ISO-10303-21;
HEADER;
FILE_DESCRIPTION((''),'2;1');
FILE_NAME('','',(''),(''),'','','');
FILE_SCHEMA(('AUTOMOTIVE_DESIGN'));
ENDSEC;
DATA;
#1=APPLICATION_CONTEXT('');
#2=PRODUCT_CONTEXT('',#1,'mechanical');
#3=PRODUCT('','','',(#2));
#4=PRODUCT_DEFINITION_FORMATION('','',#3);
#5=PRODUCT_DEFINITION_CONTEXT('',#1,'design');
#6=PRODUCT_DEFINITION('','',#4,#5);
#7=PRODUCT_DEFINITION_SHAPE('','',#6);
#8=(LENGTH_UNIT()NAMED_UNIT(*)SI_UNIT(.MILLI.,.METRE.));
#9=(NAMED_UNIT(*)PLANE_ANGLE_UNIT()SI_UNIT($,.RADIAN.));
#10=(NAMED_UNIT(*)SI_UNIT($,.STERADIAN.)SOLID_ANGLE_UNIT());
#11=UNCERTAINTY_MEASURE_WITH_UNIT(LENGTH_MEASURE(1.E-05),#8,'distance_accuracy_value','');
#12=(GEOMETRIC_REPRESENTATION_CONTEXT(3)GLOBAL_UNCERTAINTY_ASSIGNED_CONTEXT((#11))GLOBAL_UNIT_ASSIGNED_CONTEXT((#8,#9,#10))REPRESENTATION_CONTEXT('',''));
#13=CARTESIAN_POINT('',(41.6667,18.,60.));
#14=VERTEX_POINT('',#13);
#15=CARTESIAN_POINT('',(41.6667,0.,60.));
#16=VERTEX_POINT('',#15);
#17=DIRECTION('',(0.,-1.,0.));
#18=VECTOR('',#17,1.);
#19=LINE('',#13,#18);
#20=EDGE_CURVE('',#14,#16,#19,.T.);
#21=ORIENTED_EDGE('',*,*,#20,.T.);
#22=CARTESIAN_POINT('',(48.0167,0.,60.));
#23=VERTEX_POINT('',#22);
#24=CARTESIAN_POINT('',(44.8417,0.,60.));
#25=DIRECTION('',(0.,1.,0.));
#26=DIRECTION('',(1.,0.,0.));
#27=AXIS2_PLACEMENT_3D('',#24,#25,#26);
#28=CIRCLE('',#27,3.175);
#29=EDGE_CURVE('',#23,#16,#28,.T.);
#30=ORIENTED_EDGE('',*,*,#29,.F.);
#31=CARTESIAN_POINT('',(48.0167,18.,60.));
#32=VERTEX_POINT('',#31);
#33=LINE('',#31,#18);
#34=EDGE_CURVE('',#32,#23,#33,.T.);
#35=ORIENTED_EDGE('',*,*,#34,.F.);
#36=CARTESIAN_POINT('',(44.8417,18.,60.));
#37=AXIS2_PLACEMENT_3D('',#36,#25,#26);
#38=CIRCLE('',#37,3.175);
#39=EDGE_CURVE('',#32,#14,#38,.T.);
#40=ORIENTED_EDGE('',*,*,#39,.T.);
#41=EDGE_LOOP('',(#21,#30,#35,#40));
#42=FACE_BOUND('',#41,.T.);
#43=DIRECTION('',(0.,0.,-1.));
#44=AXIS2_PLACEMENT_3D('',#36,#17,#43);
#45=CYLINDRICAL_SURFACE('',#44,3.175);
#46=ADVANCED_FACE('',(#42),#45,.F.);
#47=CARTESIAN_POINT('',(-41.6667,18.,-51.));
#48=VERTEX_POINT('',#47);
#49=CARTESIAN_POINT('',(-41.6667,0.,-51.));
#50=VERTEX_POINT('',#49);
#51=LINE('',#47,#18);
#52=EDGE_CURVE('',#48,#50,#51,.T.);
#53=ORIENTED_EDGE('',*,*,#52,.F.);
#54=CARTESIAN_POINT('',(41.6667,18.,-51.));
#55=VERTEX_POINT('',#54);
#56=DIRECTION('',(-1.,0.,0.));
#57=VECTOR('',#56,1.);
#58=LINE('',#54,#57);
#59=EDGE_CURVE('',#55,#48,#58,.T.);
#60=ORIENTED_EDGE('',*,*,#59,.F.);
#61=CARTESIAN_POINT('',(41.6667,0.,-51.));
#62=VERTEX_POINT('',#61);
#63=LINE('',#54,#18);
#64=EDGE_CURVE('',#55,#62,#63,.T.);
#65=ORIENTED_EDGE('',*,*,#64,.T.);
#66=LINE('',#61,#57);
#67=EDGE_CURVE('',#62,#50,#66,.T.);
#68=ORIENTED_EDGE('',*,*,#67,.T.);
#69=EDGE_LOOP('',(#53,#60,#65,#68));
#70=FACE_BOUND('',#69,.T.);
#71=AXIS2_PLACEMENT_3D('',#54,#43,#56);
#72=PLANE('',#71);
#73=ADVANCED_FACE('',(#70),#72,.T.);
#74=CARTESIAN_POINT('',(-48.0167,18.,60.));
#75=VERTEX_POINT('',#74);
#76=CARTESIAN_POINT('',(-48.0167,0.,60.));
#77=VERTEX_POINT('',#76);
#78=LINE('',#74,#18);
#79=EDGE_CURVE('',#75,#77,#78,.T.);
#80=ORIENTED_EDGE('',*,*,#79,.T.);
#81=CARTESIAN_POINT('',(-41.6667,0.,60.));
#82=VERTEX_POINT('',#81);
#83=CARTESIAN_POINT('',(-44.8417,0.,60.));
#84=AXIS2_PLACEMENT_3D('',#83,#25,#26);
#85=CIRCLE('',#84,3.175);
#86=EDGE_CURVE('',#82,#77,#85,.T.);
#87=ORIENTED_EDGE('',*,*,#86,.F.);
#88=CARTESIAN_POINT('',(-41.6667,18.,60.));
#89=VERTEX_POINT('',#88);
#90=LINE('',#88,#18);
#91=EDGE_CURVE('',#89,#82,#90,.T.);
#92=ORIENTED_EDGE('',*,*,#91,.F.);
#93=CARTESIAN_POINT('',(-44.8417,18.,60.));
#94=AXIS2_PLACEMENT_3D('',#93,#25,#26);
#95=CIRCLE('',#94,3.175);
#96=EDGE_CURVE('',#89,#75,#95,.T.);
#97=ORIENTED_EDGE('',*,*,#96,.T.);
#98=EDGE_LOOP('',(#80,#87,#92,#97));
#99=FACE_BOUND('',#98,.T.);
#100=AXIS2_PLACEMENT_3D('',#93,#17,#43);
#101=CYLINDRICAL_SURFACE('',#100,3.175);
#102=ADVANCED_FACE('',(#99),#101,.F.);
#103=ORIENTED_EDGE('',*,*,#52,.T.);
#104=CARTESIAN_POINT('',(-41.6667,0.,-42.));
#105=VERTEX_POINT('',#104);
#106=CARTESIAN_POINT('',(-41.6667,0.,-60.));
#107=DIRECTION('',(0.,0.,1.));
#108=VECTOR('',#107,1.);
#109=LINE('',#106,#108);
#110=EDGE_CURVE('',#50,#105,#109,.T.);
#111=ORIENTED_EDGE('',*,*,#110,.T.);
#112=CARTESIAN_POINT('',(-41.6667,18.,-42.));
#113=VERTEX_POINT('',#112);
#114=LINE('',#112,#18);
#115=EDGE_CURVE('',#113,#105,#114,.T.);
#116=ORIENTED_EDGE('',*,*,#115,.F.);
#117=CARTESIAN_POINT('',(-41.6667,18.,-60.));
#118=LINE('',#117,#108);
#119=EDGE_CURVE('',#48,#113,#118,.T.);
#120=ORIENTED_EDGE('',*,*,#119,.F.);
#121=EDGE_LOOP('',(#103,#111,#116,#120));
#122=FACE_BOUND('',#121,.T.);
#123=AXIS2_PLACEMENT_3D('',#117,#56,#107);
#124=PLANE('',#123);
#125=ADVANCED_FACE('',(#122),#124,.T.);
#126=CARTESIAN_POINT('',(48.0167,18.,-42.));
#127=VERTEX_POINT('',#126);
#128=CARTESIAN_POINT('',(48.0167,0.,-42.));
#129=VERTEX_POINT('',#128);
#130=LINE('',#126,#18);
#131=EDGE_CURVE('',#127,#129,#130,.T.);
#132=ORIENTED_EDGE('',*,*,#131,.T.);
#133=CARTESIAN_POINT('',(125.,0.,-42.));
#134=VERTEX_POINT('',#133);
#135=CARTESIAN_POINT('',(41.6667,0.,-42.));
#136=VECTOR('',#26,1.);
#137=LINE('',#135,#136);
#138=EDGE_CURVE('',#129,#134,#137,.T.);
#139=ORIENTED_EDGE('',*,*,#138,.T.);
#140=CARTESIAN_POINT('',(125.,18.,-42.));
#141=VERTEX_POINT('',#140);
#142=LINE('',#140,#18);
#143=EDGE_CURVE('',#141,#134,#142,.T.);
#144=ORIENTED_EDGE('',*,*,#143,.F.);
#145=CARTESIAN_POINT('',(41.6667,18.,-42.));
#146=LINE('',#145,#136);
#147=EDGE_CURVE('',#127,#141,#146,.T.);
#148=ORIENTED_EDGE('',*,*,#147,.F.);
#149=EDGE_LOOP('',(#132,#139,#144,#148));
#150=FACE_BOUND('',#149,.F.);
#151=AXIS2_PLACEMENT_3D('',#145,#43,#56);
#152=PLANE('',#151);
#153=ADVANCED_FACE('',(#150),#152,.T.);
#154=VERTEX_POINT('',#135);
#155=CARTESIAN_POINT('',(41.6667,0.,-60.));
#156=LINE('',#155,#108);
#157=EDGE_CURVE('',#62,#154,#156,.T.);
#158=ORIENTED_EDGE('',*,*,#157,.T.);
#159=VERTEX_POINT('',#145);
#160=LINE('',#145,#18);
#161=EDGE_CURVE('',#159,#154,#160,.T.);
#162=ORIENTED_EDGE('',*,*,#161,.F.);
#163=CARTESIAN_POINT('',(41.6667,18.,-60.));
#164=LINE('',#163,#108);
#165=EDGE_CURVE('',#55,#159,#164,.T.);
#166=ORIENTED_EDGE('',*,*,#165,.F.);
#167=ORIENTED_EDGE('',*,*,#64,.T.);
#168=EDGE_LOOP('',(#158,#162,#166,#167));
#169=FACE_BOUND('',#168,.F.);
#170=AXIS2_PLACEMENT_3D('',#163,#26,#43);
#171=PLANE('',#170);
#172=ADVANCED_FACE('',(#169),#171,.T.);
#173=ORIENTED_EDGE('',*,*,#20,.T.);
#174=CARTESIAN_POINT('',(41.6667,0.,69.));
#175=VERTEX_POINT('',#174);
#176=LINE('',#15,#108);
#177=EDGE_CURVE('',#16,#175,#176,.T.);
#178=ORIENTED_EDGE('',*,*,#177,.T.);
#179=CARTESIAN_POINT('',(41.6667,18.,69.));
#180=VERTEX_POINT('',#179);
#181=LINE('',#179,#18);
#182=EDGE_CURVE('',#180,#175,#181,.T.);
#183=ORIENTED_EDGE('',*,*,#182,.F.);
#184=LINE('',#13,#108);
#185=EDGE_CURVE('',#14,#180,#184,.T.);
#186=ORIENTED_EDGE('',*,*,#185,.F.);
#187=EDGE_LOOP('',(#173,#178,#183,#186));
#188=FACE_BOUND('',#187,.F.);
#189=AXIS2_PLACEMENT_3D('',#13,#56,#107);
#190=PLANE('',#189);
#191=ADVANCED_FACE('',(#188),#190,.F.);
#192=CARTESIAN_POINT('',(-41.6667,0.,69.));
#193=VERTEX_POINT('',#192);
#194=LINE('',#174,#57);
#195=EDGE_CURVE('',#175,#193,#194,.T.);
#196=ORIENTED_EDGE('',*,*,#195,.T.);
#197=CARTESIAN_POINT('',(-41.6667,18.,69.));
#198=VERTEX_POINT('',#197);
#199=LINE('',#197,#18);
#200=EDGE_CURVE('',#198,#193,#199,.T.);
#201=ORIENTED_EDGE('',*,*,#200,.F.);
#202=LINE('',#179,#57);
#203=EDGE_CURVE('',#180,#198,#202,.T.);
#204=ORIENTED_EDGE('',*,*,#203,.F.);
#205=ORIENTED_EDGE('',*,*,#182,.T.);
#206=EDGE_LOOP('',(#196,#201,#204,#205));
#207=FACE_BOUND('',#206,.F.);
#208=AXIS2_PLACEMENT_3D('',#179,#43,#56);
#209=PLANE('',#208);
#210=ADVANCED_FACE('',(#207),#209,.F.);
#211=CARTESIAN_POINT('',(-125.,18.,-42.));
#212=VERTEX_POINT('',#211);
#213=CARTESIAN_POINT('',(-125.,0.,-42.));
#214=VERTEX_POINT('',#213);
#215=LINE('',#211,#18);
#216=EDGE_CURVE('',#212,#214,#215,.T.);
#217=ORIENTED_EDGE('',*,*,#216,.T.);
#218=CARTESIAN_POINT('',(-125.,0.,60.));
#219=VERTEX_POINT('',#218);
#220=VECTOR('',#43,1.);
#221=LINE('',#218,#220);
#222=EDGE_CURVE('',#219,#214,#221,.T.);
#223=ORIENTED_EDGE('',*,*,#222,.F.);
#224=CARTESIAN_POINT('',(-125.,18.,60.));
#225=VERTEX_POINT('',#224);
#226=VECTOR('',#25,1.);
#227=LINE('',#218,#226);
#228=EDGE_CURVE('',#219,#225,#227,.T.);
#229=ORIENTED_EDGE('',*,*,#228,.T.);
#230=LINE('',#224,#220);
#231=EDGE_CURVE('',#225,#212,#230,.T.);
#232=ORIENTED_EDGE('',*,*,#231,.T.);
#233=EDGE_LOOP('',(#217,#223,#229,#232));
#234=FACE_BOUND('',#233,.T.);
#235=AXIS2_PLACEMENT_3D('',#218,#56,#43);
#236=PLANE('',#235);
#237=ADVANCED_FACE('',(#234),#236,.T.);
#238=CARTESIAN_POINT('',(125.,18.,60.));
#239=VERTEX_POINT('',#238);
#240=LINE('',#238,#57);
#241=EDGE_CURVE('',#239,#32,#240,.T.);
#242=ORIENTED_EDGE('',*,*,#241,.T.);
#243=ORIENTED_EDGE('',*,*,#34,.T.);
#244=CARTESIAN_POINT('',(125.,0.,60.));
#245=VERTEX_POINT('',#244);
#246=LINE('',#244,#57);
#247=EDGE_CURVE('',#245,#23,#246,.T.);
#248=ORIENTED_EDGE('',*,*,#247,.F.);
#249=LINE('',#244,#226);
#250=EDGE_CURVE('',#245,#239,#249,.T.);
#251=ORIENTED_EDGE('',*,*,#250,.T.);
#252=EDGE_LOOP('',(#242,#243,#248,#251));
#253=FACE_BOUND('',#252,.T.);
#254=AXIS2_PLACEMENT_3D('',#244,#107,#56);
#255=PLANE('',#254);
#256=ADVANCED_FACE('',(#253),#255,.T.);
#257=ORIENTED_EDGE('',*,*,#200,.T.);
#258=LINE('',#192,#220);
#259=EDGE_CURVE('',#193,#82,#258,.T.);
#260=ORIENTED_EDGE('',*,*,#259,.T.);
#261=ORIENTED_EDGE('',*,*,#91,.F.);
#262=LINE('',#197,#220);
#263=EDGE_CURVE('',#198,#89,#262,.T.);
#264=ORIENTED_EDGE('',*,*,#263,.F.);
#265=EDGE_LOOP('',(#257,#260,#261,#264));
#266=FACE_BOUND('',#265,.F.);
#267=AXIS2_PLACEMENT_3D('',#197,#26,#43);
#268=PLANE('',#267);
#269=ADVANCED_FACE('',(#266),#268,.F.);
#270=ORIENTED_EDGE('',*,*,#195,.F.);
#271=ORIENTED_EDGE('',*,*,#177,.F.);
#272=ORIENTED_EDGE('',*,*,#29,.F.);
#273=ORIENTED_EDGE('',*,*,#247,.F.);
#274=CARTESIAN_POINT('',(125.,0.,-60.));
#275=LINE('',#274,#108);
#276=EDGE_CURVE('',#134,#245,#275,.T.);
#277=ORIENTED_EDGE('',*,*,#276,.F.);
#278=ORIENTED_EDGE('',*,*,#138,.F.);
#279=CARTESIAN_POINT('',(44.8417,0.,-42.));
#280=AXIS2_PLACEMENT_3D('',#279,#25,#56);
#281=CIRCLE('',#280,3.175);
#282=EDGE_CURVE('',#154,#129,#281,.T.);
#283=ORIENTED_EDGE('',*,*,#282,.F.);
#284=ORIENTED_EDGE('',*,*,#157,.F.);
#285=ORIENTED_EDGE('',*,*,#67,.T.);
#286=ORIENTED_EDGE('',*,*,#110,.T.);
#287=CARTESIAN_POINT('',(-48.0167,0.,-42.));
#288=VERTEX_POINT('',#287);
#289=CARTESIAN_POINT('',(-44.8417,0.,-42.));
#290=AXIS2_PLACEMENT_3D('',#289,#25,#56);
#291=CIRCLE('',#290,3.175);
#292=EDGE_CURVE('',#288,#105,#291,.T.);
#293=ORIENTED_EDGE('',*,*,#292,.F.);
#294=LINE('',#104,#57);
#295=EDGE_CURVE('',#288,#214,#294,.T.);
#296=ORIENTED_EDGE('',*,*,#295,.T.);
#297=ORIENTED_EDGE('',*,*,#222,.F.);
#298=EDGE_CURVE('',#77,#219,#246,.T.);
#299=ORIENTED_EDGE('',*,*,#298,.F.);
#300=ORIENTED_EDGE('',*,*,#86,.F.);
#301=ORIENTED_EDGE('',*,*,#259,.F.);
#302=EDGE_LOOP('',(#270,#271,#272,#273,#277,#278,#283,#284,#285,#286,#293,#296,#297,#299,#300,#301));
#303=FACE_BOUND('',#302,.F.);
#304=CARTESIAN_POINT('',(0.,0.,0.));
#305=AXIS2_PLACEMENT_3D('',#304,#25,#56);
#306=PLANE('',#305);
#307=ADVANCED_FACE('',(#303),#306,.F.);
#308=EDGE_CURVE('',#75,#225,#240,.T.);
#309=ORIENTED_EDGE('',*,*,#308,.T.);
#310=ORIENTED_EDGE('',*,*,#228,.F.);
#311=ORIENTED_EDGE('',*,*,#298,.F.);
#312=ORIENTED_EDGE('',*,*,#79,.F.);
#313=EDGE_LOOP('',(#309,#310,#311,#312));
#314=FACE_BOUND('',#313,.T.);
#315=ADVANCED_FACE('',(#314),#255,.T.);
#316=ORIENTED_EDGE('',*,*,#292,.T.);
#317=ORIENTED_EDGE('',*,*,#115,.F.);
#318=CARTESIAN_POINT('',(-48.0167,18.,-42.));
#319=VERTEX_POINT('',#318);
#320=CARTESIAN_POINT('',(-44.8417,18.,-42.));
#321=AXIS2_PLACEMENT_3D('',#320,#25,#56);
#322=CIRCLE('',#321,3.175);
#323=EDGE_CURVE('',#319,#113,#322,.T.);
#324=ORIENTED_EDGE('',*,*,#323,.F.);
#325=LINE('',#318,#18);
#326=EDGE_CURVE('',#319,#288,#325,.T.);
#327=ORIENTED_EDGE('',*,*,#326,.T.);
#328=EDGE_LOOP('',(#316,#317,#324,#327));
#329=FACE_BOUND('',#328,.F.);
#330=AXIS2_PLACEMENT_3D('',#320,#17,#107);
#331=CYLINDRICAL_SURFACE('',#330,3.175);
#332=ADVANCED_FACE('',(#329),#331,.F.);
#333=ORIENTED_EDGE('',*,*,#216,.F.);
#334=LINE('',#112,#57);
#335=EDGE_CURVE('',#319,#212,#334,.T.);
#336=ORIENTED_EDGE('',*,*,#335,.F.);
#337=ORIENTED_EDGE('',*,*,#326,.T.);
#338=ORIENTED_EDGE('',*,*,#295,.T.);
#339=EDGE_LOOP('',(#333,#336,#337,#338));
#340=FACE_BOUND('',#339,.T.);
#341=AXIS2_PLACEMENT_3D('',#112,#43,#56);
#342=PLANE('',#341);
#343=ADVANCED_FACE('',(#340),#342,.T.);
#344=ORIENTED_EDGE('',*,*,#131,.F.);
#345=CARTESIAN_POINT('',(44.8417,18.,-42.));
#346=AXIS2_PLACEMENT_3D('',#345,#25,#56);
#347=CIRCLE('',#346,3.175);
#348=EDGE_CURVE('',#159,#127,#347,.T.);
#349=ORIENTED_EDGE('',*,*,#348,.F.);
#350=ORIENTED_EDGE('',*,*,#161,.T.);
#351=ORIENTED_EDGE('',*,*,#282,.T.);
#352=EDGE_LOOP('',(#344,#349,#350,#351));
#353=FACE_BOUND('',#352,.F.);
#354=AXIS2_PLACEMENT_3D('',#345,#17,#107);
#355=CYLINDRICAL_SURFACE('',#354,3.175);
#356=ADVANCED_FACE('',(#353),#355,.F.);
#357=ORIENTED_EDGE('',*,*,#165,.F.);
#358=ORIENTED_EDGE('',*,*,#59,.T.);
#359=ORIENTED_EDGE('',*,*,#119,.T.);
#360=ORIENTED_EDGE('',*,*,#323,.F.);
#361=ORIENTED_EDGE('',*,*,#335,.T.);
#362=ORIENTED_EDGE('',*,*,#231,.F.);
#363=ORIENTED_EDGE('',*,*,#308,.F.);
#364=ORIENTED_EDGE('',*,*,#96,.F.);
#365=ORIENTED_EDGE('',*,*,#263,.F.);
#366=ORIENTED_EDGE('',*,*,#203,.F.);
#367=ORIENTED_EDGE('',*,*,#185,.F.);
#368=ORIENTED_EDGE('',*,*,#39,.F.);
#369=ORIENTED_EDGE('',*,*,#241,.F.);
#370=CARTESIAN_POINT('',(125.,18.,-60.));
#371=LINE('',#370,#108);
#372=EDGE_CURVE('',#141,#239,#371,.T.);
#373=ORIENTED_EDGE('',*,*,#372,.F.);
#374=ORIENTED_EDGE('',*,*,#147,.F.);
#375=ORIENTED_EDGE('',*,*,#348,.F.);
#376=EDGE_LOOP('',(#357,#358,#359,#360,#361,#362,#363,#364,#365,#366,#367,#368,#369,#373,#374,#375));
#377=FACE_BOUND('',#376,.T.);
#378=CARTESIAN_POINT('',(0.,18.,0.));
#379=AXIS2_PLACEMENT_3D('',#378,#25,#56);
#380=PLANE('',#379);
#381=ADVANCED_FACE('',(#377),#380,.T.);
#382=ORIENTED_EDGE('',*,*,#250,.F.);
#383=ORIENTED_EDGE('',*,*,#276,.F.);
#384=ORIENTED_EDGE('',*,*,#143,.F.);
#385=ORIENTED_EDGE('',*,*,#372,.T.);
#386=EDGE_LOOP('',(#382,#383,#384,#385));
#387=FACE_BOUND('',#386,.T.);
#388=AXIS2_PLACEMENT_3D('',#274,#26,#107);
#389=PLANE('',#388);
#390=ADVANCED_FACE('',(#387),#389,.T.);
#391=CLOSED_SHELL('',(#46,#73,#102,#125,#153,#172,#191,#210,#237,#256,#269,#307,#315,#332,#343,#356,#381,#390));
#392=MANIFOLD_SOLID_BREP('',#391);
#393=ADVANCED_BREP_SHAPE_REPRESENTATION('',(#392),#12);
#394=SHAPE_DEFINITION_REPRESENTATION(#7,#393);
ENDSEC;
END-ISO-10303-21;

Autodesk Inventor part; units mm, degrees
sketch "Sketch2" plane through (0, 0, 0) normal (0, 1, 0) x (-1, 0, 0)
  line L0 (125, -60) -> (-125, -60)
  line L1 (-125, -60) -> (-125, 60)
  line L2 (-125, 60) -> (125, 60)
  line L3 (125, 60) -> (125, -60)
  point P0 (0, 0)
  point P1 (-125, 0)
  point P2 (0, -60)
  dimension "d2" = 250
  dimension "d3" = 120
extrude "Extrusion1" add sketch "Sketch2" along normal blind 18
sketch "Sketch3" plane through (0, 18, 0) normal (0, 1, 0) x (1, 0, 0)
  line L0 (-125, 60) -> (-41.6667, 60)
  line L1 (-41.6667, 60) -> (-41.6667, 42)
  line L2 (-41.6667, 42) -> (-125, 42)
  line L3 (-125, 42) -> (-125, 60)
  line L4 (125, 60) -> (-125, 60) projected
  line L5 (-125, 60) -> (-125, -60) projected
  line L6 (-125, -60) -> (125, -60) projected
  line L7 (125, -60) -> (125, 60) projected
  point P0 (0, 0)
  point P1 (-125, 51)
  point P2 (-125, 0)
  point P3 (-83.3333, 60)
  point P4 (0, 60)
  dimension "d6" = 83.3333
  dimension "d7" = 18
extrude "Extrusion2" cut sketch "Sketch3" against normal blind 18 contours L0 L1 L2 L3
ref_plane "Work Plane1" through (0, 0, 60) normal (-1, 0, 0) x (0, 0, 1)
ref_plane "Work Plane2" through (125, 0, 0) normal (0, 0, -1) x (-1, 0, 0)
mirror "Mirror1" about plane through (0, 0, 60) normal (-1, 0, 0) of "Extrusion2"
sketch "Sketch4" plane through (0, 18, 0) normal (0, 1, 0) x (1, 0, 0)
  line L0 (-41.6667, 60) -> (41.6667, 60)
  line L1 (41.6667, 60) -> (41.6667, 51)
  line L2 (41.6667, 51) -> (-41.6667, 51)
  line L3 (-41.6667, 51) -> (-41.6667, 60)
  line L4 (41.6667, 42) -> (41.6667, 60) projected
  line L5 (41.6667, 60) -> (-41.6667, 60) projected
  line L6 (-41.6667, 60) -> (-41.6667, 42) projected
  line L7 (-41.6667, 42) -> (-125, 42) projected
  line L8 (-125, 42) -> (-125, -60) projected
  line L9 (-125, -60) -> (125, -60) projected
  line L10 (125, -60) -> (125, 42) projected
  line L11 (125, 42) -> (41.6667, 42) projected
  line L12 (-41.6667, 60) -> (-41.6667, 42) projected
  point P0 (0, 0)
  point P1 (0, 60)
  point P2 (0, 60)
  point P3 (0, 51)
  point P4 (-41.6667, 51)
  point P5 (41.6667, 55.5)
  point P6 (41.6667, 51)
  point P7 (-41.6667, 55.5)
  point P8 (-41.6667, 51)
extrude "Extrusion3" cut sketch "Sketch4" against normal blind 18 contours L0 L1 L2 L3
sketch "Sketch5" plane through (0, 18, 0) normal (0, 1, 0) x (1, 0, 0)
  line L0 (-41.6667, -60) -> (41.6667, -60)
  line L1 (41.6667, -60) -> (41.6667, -69)
  line L2 (41.6667, -69) -> (-41.6667, -69)
  line L3 (-41.6667, -69) -> (-41.6667, -60)
  line L4 (41.6667, 51) -> (-41.6667, 51) projected
  line L5 (-41.6667, 51) -> (-41.6667, 42) projected
  line L6 (-41.6667, 42) -> (-125, 42) projected
  line L7 (-125, 42) -> (-125, -60) projected
  line L8 (-125, -60) -> (125, -60) projected
  line L9 (125, -60) -> (125, 42) projected
  line L10 (125, 42) -> (41.6667, 42) projected
  line L11 (41.6667, 42) -> (41.6667, 51) projected
  line L12 (-125, -60) -> (125, -60) projected
  point P0 (0, 0)
  point P1 (0, -60)
  point P2 (0, -60)
  point P3 (0, -69)
  point P4 (0, -60)
  dimension "d12" = 83.3333
  dimension "d13" = 9
extrude "Extrusion4" add sketch "Sketch5" against normal blind 18 contours L0 L1 L2 L3
sketch "Sketch6" plane through (0, 18, 0) normal (0, 1, 0) x (1, 0, 0)
  line L0 (-41.6667, 51) -> (-41.6667, 42) projected
  line L1 (41.6667, 51) -> (41.6667, 42) projected
  point P0 (0, 0)
  point P1 (-44.8417, 42)
  point P2 (44.8417, 42)
  dimension "d16" = 3.175
  dimension "d17" = 3.175
hole "Hole1" at (-44.8417, 18, -42) at (44.8417, 18, -42) direction (0, -1, 0) diameter 6.35 end through all
ref_plane "Work Plane3" through (-125, 0, 9) normal (0, 0, -1) x (-1, 0, 0)
mirror "Mirror2" about plane through (-125, 0, 9) normal (0, 0, -1) of "Hole1"
equation "\"d2\" = shelfWidth"
equation "\"d3\" = shelfHeight"
equation "\"d4\" = plyThickness"
equation "\"d6\" = 0.333333 * shelfWidth"
equation "\"d7\" = plyThickness"
equation "\"d8\" = plyThickness"
equation "\"d10\" = plyThickness"
equation "\"d12\" = 0.333333 * shelfWidth"
equation "\"d13\" = 0.5 * plyThickness"
equation "\"d14\" = plyThickness"
equation "\"d16\" = 0.5 * millDiameter"
equation "\"d17\" = 0.5 * millDiameter"
equation "\"d18\" = millDiameter"
equation "\"plyThickness\" = 18"
equation "\"legHeight\" = 702"
equation "\"millDiameter\" = 6.35"
equation "\"legTopTabHeight\" = 18"
equation "\"legTopSlotDepth\" = 49"
equation "\"shelfWidth\" = 250"
equation "\"shelfHeight\" = 120"
properties part number "shelfSide"
